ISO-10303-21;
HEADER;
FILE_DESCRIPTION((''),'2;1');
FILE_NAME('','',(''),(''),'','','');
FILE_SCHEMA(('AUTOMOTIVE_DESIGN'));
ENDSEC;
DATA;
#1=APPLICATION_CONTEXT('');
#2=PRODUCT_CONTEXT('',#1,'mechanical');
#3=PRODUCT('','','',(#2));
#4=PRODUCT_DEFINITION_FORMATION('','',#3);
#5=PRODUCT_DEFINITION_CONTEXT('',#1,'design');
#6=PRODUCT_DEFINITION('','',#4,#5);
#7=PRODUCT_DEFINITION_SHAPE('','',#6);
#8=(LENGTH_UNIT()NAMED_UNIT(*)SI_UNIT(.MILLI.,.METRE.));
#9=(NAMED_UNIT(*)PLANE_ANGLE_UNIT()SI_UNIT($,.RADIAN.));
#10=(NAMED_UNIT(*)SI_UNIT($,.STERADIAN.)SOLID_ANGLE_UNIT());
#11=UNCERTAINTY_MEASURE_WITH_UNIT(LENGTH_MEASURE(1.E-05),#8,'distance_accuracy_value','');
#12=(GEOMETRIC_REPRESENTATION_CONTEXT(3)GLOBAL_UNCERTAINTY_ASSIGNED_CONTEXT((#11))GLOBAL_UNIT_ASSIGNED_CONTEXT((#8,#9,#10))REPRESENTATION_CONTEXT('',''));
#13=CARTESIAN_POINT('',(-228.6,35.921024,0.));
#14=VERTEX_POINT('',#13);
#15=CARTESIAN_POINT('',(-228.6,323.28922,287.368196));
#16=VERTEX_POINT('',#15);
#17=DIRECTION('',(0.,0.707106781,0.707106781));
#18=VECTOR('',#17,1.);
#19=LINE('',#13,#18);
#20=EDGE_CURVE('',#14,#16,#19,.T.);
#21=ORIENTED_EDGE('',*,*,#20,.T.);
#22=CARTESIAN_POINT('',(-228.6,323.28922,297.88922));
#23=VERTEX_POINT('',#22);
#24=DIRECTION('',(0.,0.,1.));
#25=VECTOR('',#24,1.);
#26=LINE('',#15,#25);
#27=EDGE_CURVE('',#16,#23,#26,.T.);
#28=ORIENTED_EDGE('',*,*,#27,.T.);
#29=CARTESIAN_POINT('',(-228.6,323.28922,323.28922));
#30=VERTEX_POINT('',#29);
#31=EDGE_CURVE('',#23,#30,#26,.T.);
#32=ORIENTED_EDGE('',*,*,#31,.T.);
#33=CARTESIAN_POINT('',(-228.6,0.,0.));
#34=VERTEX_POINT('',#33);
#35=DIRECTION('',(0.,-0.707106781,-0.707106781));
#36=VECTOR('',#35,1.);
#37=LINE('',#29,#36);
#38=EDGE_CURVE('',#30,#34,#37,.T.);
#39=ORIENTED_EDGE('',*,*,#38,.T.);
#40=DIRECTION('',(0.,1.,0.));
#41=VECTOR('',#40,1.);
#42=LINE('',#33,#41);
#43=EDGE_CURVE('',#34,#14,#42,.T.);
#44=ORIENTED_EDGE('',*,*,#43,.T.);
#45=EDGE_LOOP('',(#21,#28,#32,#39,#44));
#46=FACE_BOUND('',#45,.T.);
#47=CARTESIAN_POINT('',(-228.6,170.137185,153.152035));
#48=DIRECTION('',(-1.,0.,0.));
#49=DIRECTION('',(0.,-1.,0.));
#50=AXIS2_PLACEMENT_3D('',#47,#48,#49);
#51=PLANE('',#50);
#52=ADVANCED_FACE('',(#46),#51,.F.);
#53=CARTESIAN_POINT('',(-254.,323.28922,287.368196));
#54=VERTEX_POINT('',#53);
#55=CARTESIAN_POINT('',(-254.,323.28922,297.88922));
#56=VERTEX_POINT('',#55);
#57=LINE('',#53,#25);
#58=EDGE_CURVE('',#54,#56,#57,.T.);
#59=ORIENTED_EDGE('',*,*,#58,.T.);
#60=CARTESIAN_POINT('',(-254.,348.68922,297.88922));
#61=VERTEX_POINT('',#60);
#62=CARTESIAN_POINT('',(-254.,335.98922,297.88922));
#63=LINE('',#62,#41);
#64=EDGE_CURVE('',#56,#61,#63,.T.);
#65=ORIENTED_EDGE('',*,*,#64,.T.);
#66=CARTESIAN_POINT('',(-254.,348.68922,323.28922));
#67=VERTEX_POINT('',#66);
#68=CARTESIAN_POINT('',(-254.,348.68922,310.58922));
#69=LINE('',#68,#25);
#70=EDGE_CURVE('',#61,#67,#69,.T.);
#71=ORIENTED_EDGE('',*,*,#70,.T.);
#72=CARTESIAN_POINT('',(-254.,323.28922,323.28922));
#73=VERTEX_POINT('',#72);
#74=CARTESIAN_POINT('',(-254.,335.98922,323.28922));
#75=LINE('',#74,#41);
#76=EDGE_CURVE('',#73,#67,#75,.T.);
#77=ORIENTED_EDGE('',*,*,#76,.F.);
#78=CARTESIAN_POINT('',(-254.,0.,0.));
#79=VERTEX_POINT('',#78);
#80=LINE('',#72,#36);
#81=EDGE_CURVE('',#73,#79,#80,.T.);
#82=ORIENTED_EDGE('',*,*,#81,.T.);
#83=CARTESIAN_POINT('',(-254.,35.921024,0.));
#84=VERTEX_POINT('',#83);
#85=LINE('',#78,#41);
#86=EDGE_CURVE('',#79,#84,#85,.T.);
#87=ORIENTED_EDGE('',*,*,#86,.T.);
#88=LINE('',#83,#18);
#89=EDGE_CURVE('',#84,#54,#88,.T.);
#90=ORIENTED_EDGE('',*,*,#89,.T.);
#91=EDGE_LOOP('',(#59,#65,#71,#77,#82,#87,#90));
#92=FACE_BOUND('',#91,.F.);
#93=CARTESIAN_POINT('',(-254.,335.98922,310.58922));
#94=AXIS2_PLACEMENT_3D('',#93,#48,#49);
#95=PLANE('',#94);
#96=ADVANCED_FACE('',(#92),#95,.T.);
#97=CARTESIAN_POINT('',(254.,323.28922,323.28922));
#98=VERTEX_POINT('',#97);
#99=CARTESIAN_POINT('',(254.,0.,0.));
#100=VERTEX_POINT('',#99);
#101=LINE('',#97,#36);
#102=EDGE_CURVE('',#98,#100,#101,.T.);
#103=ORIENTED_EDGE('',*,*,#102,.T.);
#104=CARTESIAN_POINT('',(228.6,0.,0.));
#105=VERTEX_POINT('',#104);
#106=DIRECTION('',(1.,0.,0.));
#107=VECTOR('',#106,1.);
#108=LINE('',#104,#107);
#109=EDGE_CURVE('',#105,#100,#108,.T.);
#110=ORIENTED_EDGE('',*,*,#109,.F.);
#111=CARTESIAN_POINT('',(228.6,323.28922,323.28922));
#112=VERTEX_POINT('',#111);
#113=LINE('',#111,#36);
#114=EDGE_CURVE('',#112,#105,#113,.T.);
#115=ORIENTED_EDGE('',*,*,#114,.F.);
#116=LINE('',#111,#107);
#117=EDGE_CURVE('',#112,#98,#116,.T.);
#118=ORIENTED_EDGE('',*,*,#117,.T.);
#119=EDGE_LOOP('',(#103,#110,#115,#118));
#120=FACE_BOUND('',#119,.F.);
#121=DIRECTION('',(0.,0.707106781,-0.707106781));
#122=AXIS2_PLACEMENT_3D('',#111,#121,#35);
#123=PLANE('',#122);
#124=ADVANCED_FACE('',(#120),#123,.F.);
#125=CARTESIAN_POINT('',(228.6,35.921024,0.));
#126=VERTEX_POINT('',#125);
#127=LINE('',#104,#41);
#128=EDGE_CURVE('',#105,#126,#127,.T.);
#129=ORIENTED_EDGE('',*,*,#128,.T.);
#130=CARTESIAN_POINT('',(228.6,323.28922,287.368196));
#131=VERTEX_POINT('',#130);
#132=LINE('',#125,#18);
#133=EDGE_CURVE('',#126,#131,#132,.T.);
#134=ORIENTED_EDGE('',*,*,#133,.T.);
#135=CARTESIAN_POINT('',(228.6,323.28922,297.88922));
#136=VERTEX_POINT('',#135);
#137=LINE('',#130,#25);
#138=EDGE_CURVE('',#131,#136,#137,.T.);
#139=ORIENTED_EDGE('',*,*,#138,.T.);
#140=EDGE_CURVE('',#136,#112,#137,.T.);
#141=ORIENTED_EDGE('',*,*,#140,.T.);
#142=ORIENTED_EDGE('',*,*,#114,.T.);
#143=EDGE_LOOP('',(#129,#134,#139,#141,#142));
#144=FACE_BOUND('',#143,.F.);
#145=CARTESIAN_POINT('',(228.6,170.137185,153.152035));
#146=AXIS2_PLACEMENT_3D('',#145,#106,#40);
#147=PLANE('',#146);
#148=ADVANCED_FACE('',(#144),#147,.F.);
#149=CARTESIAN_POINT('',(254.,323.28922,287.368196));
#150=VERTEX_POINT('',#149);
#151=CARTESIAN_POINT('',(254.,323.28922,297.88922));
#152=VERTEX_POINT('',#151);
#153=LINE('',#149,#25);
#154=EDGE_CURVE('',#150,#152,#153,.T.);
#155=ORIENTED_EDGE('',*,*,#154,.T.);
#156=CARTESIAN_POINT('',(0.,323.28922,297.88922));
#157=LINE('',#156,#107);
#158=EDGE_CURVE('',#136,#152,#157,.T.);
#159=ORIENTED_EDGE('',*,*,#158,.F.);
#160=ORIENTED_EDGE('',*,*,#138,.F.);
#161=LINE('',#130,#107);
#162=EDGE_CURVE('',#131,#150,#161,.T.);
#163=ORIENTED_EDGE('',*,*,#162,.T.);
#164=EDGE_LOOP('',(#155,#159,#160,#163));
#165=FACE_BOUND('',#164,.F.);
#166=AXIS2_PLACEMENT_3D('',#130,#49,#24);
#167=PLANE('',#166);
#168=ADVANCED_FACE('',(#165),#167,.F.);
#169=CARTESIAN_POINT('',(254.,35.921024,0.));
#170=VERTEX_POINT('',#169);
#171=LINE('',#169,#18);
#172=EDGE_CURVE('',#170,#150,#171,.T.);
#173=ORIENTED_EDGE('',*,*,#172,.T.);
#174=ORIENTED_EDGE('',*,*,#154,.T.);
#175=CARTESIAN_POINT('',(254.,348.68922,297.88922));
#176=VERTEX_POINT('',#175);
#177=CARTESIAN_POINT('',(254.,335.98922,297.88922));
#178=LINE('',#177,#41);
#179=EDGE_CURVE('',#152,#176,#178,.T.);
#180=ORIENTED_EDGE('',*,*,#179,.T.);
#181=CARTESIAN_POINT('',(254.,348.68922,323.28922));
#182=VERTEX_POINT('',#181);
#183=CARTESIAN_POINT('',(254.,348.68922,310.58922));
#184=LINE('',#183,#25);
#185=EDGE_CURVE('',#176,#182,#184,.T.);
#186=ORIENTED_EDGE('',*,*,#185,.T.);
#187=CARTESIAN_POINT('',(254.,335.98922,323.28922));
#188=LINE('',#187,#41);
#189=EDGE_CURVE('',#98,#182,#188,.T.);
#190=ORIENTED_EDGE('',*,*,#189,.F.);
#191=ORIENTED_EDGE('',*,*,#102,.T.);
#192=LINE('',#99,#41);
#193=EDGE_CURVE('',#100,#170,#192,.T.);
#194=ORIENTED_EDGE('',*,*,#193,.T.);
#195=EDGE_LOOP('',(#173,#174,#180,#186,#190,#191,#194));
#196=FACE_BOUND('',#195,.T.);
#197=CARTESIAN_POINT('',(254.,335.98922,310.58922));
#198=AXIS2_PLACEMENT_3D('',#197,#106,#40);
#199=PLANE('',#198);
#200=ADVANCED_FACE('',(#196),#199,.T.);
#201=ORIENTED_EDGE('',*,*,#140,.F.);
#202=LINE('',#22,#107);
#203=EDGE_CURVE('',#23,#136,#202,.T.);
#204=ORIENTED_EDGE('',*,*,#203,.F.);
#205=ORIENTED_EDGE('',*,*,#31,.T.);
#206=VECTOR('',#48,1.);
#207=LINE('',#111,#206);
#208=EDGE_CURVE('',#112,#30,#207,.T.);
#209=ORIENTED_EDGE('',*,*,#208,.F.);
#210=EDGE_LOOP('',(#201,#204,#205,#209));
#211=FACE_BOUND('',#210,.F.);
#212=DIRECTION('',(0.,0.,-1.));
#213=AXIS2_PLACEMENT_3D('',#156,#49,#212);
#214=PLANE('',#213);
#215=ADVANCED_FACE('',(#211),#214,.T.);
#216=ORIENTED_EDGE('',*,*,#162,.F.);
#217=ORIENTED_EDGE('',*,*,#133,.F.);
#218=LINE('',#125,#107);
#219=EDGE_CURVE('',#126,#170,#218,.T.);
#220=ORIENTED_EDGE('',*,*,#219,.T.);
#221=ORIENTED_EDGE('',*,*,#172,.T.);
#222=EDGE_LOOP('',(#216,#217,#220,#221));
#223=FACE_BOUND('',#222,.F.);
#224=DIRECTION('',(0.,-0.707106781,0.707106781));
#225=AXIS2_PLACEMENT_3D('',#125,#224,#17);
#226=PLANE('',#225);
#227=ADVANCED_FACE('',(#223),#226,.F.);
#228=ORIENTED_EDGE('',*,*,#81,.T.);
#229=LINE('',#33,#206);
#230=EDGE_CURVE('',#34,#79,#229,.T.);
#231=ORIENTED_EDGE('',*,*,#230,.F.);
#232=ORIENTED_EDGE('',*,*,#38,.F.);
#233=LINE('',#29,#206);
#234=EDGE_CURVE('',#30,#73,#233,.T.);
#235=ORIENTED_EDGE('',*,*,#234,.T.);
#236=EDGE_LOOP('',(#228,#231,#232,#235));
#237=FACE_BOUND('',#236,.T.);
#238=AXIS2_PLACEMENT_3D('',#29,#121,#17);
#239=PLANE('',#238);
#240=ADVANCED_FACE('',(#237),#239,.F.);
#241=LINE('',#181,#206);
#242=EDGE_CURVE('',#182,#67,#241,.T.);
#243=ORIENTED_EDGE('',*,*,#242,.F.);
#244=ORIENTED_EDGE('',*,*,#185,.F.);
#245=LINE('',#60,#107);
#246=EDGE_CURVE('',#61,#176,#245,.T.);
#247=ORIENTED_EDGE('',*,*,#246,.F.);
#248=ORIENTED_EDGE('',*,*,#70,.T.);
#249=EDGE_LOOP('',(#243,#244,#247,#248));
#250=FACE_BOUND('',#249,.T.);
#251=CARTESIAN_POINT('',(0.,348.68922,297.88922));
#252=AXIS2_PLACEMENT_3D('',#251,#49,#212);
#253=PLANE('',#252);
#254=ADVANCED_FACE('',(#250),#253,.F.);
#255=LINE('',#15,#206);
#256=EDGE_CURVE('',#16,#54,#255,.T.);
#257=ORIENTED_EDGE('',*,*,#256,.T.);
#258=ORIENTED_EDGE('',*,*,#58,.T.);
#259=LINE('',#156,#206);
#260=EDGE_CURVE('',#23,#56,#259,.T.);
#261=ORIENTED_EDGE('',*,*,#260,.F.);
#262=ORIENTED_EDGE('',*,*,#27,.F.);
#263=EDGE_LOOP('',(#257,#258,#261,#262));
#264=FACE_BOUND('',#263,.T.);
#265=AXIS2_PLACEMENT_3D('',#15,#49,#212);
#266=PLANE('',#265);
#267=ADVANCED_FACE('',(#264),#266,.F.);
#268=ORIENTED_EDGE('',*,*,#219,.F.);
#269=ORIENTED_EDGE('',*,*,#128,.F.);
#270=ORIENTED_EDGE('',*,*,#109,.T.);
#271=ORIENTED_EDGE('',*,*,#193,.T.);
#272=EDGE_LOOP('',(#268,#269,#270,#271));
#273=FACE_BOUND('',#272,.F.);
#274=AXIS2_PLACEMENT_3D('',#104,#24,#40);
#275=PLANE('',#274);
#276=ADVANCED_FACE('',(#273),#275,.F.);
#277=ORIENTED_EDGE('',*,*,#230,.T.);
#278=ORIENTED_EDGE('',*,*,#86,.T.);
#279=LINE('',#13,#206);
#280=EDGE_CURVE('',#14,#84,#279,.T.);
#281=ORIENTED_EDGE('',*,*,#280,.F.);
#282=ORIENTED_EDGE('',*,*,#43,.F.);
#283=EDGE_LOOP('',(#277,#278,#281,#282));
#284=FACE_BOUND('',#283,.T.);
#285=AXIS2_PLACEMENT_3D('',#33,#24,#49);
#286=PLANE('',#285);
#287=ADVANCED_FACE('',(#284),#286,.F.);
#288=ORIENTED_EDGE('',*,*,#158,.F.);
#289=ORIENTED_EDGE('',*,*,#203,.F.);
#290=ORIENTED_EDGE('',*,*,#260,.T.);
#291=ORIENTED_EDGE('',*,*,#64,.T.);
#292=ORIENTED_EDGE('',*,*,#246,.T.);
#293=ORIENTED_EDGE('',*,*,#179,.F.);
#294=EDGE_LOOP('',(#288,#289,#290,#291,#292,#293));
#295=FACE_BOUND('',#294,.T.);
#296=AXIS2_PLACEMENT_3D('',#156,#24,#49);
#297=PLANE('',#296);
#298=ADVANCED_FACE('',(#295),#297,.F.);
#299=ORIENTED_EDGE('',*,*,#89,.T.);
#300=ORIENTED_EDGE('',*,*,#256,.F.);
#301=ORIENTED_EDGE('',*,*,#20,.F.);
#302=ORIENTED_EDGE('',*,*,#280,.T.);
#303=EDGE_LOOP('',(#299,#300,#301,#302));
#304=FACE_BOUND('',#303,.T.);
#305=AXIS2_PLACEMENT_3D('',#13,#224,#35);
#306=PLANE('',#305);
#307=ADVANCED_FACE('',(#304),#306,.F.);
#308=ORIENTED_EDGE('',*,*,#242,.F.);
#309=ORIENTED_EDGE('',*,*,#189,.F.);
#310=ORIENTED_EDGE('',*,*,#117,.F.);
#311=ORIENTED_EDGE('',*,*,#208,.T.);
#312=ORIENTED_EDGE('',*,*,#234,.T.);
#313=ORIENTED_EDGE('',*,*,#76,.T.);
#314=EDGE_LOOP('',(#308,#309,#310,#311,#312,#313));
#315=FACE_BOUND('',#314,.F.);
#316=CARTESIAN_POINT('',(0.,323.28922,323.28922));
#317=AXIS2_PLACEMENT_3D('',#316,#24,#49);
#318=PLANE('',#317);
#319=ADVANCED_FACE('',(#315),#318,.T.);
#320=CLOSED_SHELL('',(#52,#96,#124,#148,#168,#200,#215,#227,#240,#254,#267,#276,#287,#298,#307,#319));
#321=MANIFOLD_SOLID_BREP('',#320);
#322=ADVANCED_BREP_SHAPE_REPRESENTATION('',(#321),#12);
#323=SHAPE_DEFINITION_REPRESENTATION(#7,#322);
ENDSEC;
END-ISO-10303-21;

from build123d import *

# Parameters (mm, degrees)
F2_DEPTH = 25.4
F3_W     = 25.4
F3_H     = 25.4
F4_DEPTH = 254


with BuildPart() as f2:
    # F1 (on offset) → F2 (new body)
    with BuildSketch(Plane.YZ.offset(228.6)):
        Polygon((323.28922, 323.28922), (0, 0), (35.921024, 0), (323.28922, 287.368196), align=None)
    extrude(amount=F2_DEPTH)

    # F3 (on Right) → F4 (join, through all)
    with BuildSketch(Plane.YZ):
        with Locations((335.98922, 310.58922)):
            Rectangle(F3_W, F3_H)
    extrude(amount=F4_DEPTH)

    # F5: F2 across plane


with BuildPart() as f2_1:
    add(f2.part)
    add(f2.part.mirror(Plane.YZ))


solid = f2_1.part
